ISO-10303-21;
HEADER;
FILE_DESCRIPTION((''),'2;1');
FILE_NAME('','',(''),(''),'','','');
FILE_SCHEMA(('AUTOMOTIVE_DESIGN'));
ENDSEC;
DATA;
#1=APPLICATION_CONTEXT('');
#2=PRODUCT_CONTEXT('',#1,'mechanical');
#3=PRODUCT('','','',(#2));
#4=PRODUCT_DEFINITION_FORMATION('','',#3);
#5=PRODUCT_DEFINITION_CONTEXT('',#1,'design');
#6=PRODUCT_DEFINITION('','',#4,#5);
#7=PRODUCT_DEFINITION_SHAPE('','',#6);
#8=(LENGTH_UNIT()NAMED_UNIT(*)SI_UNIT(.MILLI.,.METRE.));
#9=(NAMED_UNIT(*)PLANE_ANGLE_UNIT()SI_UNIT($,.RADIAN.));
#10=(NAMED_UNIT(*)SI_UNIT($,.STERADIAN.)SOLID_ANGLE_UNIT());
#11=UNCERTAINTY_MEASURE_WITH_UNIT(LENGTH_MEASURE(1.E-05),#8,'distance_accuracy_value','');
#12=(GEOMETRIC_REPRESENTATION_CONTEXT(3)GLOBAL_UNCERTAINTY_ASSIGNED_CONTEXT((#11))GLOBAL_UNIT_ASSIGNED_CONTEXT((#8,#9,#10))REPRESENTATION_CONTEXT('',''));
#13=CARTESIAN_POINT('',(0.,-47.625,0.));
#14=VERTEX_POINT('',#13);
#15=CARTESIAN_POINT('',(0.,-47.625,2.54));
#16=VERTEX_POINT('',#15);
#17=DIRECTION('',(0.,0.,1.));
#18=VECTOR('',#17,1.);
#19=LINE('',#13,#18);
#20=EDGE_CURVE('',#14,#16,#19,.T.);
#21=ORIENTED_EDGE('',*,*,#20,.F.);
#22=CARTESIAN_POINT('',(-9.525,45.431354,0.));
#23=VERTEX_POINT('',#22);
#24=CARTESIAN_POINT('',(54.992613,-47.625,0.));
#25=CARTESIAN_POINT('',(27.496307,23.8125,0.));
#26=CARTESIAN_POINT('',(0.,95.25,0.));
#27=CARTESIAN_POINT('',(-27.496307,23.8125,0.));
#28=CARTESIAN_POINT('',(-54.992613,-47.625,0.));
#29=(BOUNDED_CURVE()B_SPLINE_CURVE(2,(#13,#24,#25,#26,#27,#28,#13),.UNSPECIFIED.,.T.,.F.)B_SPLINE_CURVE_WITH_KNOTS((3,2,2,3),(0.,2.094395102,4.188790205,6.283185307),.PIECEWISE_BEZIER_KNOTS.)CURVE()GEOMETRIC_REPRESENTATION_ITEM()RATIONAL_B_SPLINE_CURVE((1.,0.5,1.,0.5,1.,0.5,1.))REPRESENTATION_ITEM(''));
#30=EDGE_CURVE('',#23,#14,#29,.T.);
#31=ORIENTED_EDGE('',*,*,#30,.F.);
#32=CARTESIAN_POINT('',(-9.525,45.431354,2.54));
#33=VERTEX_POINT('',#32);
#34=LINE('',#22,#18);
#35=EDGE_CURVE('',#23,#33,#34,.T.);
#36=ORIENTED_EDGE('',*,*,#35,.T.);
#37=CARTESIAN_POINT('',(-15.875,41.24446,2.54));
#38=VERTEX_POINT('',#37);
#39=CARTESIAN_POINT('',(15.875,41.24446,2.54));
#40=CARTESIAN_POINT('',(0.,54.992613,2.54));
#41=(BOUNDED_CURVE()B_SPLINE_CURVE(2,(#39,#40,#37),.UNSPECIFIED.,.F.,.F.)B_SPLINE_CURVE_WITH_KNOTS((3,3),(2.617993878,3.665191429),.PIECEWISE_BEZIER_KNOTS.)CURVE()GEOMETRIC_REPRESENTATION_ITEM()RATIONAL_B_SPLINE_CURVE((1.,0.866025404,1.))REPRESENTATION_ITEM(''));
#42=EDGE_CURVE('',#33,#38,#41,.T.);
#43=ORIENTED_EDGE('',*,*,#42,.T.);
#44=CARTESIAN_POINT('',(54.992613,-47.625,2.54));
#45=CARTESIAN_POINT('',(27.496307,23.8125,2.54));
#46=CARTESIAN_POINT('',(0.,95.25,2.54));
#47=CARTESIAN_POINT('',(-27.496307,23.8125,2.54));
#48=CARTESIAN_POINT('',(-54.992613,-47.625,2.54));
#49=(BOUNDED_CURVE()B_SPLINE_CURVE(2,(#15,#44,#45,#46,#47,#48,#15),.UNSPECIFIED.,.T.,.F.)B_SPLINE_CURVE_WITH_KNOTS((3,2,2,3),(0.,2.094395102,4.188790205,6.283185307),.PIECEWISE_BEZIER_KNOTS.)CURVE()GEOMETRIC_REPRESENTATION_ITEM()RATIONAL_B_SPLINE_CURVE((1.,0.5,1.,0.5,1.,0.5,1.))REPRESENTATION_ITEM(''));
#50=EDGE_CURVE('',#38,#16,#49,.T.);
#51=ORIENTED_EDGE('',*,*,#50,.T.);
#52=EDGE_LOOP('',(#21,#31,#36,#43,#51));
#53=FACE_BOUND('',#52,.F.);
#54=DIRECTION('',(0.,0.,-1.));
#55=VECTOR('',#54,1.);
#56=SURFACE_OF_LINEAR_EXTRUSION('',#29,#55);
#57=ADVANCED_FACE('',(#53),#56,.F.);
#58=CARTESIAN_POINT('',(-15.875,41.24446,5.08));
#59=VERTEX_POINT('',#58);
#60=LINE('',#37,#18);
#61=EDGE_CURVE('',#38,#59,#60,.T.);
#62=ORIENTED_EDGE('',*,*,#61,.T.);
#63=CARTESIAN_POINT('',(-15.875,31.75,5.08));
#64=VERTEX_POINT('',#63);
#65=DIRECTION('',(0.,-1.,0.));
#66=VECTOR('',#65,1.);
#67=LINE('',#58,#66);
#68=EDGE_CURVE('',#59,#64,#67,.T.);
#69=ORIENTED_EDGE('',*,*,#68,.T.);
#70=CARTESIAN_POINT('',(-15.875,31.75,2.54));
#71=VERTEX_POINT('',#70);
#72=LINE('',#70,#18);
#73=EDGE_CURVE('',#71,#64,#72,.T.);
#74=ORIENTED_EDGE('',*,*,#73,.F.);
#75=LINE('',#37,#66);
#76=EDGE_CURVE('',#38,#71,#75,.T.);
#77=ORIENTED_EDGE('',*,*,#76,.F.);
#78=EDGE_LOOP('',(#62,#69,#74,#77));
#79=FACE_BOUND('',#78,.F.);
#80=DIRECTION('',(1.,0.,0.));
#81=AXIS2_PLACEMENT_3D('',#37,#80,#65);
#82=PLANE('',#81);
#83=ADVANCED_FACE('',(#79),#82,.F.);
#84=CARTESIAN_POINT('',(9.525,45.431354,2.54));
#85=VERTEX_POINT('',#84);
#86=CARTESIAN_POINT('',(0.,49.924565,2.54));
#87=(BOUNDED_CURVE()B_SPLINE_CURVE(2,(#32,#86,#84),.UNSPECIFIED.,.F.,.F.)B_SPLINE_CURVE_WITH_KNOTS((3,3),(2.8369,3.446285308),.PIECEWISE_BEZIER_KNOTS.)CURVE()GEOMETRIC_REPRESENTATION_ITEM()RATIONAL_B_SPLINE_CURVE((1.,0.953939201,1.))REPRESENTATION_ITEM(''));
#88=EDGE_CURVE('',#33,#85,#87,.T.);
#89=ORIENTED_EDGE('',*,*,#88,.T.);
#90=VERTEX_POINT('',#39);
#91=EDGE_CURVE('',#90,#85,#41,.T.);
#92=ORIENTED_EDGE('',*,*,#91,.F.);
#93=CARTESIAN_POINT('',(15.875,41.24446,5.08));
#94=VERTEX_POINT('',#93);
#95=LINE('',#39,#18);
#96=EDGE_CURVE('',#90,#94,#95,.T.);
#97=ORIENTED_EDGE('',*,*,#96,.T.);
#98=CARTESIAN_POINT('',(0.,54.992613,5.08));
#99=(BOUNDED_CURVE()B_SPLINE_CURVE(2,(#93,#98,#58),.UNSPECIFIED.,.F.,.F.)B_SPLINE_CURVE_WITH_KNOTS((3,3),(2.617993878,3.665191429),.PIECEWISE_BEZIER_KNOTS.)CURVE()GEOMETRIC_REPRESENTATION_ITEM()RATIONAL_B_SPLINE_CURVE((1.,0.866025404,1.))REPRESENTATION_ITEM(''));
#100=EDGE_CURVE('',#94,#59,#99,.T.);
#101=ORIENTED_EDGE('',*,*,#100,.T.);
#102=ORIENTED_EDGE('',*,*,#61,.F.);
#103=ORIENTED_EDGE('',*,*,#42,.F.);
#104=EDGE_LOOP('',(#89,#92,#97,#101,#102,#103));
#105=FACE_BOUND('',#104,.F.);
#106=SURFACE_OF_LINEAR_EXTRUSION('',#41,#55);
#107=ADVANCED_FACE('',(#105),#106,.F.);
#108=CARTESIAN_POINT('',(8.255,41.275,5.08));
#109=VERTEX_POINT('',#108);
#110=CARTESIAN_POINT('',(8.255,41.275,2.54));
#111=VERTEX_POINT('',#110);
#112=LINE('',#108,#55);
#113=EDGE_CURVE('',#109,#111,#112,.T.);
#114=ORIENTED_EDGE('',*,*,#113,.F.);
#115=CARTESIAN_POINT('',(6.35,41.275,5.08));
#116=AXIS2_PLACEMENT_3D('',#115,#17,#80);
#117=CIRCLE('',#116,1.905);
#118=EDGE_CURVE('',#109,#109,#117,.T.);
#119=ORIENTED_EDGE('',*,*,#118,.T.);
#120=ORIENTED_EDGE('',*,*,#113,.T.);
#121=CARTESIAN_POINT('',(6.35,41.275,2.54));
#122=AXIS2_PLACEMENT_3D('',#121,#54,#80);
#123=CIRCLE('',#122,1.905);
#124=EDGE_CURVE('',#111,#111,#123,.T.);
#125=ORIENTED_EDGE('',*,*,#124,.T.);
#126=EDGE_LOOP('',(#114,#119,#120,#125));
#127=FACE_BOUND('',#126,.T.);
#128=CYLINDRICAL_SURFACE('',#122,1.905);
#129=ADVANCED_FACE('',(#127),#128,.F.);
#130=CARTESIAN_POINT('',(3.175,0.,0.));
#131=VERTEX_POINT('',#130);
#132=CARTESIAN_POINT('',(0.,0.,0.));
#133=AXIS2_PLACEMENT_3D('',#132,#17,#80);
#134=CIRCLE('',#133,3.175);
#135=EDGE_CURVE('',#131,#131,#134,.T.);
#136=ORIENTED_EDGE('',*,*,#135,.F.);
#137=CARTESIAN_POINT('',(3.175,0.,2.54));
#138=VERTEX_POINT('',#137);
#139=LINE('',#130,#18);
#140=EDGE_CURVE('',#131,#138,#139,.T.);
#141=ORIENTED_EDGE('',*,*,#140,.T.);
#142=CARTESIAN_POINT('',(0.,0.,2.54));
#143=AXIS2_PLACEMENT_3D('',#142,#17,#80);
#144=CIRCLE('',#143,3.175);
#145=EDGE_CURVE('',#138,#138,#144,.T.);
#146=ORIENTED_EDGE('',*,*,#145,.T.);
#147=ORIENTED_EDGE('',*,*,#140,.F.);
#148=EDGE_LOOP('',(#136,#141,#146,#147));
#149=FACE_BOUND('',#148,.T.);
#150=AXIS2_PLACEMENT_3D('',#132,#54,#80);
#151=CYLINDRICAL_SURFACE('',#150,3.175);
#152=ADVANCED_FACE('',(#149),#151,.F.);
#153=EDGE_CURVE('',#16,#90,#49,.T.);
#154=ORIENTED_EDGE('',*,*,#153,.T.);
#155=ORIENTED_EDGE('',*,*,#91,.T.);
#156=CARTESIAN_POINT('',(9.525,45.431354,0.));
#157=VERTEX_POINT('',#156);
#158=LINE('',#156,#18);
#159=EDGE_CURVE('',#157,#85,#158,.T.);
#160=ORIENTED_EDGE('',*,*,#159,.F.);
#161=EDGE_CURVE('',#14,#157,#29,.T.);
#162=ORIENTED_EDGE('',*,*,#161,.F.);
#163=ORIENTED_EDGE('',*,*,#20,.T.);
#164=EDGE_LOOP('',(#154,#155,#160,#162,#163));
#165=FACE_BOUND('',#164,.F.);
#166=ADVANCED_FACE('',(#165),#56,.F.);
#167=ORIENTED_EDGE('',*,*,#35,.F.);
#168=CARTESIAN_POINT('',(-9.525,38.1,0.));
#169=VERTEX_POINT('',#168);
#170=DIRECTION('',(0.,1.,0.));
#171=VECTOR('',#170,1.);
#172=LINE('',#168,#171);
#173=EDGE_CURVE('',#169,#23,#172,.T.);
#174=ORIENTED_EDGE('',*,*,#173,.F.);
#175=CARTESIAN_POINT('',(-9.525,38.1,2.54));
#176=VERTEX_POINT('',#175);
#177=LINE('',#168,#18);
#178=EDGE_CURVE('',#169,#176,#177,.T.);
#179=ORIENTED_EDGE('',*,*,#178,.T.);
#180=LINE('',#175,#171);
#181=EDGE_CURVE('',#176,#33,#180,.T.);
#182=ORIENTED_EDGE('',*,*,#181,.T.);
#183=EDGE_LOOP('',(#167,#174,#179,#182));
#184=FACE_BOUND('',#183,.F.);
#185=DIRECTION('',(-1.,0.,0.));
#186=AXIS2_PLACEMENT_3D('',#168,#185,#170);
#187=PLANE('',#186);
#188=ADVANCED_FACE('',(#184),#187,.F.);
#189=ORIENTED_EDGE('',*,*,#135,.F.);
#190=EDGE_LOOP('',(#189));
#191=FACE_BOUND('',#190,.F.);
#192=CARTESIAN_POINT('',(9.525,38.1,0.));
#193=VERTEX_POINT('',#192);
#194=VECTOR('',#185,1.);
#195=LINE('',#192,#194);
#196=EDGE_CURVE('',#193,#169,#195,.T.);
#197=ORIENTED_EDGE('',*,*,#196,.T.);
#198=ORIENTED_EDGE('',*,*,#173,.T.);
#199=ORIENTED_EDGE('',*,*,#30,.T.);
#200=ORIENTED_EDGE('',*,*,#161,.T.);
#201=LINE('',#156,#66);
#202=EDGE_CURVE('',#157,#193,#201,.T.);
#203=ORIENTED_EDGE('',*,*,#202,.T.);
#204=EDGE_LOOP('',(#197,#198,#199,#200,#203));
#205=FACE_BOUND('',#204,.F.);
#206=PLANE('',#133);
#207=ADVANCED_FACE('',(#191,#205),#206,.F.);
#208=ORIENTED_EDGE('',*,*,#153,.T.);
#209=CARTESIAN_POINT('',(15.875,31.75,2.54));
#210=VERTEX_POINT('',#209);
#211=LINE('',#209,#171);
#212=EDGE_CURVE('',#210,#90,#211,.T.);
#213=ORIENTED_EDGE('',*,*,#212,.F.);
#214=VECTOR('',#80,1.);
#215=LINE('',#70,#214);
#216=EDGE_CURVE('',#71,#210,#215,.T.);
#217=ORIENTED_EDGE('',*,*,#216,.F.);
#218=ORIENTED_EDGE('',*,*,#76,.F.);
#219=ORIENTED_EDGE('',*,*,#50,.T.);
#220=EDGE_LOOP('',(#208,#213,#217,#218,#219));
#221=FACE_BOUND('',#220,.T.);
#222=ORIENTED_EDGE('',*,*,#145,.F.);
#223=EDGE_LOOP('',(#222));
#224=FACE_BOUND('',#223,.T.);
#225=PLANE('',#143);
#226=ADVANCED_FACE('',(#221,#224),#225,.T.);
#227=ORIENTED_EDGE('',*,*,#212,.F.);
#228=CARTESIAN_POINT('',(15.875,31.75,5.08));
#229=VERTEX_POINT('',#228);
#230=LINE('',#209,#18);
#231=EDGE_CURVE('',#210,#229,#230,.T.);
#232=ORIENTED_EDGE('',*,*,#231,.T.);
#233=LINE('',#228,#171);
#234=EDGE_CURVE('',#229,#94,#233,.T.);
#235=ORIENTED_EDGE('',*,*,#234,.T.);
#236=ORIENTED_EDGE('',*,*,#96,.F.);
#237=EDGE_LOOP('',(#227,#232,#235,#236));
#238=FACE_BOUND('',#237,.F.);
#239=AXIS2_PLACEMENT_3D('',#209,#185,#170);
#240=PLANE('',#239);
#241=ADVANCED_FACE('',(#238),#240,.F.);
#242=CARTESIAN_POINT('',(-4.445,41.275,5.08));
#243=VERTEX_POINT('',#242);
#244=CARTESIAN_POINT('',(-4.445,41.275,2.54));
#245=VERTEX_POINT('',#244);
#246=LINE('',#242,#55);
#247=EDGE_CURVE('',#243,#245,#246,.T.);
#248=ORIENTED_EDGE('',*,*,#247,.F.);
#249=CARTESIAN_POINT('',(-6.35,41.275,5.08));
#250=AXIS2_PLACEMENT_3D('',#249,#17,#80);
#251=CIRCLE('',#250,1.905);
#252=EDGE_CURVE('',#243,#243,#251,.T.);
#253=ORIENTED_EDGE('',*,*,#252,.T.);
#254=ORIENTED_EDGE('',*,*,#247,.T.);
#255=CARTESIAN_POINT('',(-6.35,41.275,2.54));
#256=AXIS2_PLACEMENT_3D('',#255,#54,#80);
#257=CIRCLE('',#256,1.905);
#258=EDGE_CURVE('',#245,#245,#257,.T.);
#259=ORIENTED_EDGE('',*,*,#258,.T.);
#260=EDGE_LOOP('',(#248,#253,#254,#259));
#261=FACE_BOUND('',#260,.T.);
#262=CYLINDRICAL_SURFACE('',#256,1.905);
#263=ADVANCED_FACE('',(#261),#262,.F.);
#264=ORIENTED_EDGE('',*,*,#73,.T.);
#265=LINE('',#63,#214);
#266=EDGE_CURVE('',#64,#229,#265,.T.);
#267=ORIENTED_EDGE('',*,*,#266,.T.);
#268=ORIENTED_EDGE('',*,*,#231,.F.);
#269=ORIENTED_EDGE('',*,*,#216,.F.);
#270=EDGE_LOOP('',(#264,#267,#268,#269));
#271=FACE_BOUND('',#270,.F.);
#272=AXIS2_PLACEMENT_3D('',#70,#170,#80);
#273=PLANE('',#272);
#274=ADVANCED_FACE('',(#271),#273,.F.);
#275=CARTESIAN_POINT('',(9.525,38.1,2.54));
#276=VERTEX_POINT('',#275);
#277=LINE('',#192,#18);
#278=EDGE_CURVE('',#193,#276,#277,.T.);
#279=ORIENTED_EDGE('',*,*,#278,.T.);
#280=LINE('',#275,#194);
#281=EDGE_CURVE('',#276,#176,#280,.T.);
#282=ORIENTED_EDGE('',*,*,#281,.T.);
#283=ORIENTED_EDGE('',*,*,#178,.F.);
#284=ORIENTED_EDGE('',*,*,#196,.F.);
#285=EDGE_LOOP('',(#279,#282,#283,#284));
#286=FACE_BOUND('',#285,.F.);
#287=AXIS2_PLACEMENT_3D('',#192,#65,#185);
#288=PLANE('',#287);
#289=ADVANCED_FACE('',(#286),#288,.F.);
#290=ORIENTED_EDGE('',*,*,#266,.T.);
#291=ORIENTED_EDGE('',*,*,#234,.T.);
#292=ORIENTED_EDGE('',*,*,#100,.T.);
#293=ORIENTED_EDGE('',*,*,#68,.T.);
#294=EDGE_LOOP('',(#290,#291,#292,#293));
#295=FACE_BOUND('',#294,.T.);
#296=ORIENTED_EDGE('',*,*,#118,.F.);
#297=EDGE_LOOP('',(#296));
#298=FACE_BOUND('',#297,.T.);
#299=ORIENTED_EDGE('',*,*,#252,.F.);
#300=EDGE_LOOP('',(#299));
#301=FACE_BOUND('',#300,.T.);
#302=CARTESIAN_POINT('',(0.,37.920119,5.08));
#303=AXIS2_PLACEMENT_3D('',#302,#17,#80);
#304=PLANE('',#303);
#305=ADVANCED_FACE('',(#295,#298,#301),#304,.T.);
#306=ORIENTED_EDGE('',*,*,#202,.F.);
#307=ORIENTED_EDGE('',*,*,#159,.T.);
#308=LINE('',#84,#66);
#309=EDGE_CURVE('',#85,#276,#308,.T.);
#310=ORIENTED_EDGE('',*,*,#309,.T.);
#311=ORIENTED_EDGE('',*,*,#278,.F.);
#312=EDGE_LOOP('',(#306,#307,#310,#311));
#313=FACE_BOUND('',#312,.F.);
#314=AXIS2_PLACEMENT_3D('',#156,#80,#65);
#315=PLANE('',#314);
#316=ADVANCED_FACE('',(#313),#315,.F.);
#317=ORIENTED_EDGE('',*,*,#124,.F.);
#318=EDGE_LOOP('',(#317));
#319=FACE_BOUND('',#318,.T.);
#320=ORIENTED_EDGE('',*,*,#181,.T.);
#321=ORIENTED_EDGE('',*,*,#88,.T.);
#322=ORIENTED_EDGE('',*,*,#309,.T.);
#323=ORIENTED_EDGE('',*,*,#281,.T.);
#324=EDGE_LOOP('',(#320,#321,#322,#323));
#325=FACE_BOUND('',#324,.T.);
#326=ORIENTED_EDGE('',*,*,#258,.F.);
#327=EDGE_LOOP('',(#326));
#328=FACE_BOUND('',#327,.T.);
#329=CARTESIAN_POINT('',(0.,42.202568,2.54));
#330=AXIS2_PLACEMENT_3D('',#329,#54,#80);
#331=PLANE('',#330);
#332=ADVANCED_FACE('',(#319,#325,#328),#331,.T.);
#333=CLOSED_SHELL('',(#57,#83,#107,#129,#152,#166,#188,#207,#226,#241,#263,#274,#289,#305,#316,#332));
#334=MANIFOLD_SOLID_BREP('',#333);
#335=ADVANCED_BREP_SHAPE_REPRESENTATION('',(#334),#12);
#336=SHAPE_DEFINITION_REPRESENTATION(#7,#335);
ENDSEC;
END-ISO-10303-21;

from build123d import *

# Parameters (mm, degrees)
F0_R     = 1.905
F0_R_2   = 3.175
F1_DEPTH = 2.54
F2_R     = 1.905
F3_DEPTH = 2.54
F4_R     = 1.905
F5_DEPTH = 2.54


with BuildPart() as f1:
    # F0 (on Top) → F1 (new body)
    with BuildSketch(Plane.XY):
        with BuildLine():
            add(Edge.make_bspline(
                [(0, -47.625), (54.9926131403, -47.625), (27.4963065702, 23.8125), (0, 95.25), (-27.4963065702, 23.8125), (-54.9926131403, -47.625), (0, -47.625)],
                knots=[0, 0, 0, 2.0943951024, 2.0943951024, 4.1887902048, 4.1887902048, 6.2831853072, 6.2831853072, 6.2831853072], degree=2, weights=[1, 0.5, 1, 0.5, 1, 0.5, 1]))
        make_face()
        with Locations((-6.35, 41.275)):
            Circle(F0_R, mode=Mode.SUBTRACT)
        Circle(F0_R_2, mode=Mode.SUBTRACT)
        with Locations((6.35, 41.275)):
            Circle(F0_R, mode=Mode.SUBTRACT)
    extrude(amount=F1_DEPTH)

    # F2 (on face) → F3 (join)
    with BuildSketch(Plane.XY.offset(2.54)):
        with BuildLine():
            Line((-15.875, 31.75), (0, 31.75))
            Line((0, 31.75), (15.875, 31.75))
            Line((15.875, 31.75), (15.875, 41.2444598552))
            add(Edge.make_bspline(
                [(15.875, 41.2444598552), (0, 54.9926131403), (-15.875, 41.2444598552)],
                knots=[2.617993878, 2.617993878, 2.617993878, 3.6651914292, 3.6651914292, 3.6651914292], degree=2, weights=[1, 0.8660254038, 1]))
            Line((-15.875, 41.2444598552), (-15.875, 31.75))
        make_face()
        with Locations((-6.35, 41.275)):
            Circle(F2_R, mode=Mode.SUBTRACT)
        with Locations((6.35, 41.275)):
            Circle(F2_R, mode=Mode.SUBTRACT)
    extrude(amount=F3_DEPTH)

    # F4 (on face) → F5 (cut)
    with BuildSketch(Plane(origin=(0, 0, 0), x_dir=(1, 0, 0), z_dir=(0, 0, -1))):
        with BuildLine():
            Line((9.525, -38.1), (0, -38.1))
            Line((0, -38.1), (-9.525, -38.1))
            Line((-9.525, -38.1), (-9.525, -45.4313544675))
            add(Edge.make_bspline(
                [(-9.525, -45.4313544675), (0, -49.9245653489), (9.525, -45.4313544675)],
                knots=[2.8368999996, 2.8368999996, 2.8368999996, 3.4462853076, 3.4462853076, 3.4462853076], degree=2, weights=[1, 0.9539392014, 1]))
            Line((9.525, -45.4313544675), (9.525, -38.1))
        make_face()
        with Locations((-6.35, -41.275)):
            Circle(F4_R, mode=Mode.SUBTRACT)
        with Locations((6.35, -41.275)):
            Circle(F4_R, mode=Mode.SUBTRACT)
    extrude(amount=-F5_DEPTH, mode=Mode.SUBTRACT)


solid = f1.part
